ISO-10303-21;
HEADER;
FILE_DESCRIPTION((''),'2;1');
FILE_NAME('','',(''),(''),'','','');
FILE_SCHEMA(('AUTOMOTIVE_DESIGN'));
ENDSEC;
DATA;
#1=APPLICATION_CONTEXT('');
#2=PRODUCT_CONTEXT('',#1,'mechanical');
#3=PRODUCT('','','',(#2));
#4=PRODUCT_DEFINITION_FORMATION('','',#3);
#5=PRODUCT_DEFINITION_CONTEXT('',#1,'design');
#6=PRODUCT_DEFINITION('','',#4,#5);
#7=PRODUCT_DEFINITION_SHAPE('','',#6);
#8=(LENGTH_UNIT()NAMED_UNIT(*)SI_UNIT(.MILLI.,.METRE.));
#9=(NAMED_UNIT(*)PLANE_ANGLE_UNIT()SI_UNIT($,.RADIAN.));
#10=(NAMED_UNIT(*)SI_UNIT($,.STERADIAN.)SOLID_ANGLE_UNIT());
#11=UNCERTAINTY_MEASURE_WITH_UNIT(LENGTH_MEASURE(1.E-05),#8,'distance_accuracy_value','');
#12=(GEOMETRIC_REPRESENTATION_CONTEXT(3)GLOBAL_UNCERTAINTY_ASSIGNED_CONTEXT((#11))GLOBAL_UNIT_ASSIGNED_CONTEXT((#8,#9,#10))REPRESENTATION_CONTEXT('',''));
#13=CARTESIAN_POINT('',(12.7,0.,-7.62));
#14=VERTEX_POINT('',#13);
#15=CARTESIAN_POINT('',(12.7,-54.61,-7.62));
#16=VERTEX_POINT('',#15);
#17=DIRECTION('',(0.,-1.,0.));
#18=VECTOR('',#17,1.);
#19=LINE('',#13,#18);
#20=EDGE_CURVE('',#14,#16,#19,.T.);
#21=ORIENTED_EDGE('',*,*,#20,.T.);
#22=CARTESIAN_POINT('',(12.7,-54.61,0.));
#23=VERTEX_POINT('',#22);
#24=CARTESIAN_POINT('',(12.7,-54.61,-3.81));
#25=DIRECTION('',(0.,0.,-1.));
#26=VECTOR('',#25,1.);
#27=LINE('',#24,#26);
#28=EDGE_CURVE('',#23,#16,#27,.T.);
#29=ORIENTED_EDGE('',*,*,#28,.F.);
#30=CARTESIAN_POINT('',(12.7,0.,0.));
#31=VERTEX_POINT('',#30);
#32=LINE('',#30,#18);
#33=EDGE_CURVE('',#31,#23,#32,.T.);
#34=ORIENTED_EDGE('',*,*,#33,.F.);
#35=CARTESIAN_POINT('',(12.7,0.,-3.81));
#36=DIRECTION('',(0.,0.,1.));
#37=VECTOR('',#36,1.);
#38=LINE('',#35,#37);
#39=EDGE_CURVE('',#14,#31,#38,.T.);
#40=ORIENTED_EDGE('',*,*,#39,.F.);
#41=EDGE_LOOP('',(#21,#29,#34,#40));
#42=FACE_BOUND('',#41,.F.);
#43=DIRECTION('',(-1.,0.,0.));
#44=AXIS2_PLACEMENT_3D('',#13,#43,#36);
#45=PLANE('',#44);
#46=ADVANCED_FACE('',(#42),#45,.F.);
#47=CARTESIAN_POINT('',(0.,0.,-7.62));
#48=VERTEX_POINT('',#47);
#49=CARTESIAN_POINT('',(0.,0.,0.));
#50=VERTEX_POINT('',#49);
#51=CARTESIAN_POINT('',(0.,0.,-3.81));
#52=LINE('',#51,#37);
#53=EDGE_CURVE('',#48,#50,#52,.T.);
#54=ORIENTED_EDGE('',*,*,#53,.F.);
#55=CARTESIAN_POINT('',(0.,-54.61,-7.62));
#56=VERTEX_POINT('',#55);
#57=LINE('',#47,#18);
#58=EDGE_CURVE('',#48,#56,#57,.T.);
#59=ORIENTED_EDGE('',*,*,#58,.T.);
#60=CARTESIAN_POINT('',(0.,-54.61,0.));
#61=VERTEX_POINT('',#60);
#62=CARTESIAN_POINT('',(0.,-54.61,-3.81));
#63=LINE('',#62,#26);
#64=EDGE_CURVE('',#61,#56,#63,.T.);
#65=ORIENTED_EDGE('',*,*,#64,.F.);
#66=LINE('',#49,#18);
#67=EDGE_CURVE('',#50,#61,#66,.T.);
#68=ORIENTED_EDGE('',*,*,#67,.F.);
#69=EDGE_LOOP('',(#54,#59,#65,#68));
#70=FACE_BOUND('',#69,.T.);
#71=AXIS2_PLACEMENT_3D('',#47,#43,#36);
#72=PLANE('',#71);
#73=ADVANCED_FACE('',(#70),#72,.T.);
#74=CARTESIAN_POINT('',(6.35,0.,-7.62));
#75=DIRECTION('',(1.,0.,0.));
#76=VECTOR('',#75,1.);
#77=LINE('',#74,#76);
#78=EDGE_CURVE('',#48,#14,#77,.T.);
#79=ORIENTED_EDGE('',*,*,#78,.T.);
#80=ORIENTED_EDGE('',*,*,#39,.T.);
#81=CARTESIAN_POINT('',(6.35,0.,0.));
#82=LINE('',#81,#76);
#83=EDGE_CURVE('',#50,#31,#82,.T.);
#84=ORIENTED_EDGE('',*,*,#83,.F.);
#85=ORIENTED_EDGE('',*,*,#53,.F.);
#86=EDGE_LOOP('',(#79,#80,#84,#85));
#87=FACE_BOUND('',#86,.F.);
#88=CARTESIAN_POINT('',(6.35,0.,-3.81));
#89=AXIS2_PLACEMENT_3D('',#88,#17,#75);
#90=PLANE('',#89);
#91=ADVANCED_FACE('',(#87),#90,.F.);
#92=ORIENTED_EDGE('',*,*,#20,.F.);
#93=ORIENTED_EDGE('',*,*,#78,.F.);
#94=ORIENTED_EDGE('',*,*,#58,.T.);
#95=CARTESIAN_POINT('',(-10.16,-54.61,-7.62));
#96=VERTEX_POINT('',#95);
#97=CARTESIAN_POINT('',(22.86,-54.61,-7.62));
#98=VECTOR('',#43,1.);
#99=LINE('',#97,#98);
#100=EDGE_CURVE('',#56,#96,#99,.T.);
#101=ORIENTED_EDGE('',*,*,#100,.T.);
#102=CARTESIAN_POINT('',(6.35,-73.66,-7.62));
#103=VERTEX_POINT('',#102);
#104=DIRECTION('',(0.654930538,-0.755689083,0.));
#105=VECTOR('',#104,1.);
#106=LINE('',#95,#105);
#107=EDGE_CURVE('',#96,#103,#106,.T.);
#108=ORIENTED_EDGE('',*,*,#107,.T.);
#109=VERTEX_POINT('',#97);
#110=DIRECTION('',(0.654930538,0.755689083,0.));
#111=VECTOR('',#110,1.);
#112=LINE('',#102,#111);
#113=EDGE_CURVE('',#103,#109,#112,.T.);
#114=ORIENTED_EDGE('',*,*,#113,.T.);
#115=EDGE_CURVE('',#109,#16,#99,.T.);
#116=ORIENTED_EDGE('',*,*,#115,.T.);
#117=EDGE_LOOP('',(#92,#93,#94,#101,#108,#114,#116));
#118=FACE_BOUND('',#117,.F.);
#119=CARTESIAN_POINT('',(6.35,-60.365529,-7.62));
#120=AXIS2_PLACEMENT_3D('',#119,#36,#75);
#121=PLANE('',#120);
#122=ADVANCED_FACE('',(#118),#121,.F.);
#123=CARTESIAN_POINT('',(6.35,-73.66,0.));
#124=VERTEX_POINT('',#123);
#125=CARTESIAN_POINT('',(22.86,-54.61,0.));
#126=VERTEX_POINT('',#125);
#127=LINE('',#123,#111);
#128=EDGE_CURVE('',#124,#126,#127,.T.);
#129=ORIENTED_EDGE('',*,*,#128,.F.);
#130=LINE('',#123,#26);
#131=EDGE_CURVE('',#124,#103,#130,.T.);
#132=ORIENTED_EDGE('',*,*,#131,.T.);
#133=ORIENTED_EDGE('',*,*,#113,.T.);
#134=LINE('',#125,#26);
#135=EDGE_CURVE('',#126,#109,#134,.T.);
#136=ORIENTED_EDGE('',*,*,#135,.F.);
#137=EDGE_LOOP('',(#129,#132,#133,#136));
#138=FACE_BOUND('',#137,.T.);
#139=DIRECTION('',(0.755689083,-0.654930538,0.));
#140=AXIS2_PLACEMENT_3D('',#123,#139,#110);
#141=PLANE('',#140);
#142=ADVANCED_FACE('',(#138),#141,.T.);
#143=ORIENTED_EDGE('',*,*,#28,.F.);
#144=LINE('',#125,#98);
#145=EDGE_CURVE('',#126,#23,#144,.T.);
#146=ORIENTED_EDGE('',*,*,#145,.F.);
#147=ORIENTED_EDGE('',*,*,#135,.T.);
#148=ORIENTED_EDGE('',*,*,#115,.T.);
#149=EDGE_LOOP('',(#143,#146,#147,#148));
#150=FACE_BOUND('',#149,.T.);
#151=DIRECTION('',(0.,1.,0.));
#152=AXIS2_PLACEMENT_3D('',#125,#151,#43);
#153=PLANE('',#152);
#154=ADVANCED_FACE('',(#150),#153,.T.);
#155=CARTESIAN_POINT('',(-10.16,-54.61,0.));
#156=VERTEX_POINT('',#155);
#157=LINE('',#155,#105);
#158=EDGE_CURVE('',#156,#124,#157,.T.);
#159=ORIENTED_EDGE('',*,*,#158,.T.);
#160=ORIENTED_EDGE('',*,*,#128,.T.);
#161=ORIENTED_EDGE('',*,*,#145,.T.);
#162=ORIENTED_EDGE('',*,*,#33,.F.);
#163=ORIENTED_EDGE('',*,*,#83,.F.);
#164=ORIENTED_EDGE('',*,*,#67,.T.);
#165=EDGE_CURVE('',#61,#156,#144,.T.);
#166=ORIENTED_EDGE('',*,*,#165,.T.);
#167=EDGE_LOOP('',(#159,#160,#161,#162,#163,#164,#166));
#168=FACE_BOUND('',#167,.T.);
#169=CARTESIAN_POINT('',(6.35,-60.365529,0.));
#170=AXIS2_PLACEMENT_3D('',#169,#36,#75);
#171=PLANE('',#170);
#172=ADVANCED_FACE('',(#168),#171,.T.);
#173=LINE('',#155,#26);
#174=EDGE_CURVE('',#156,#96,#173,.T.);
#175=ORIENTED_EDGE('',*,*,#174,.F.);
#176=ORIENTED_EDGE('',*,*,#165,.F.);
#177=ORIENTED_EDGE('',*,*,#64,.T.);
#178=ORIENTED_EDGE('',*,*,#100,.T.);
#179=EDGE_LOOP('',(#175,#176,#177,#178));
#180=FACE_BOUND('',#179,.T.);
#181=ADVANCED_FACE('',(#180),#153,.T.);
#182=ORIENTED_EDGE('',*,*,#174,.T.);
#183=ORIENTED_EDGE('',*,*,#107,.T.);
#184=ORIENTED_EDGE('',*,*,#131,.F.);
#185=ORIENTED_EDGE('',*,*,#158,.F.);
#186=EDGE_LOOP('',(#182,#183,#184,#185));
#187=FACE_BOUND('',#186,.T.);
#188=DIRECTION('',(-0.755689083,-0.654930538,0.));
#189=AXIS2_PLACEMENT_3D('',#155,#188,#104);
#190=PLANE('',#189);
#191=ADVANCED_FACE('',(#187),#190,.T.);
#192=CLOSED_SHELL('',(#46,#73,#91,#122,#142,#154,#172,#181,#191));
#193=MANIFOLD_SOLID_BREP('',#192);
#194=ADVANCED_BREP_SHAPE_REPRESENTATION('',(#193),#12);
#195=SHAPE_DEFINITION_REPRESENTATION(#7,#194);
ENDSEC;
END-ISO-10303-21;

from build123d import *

# Parameters (mm, degrees)
F0_W     = 12.7
F0_H     = 7.62
F1_DEPTH = 63.5
F4_DEPTH = 7.62


with BuildPart() as f1:
    # F0 (on Front) → F1 (new body)
    with BuildSketch(Plane.XZ):
        with Locations((6.35, -3.81)):
            Rectangle(F0_W, F0_H)
    extrude(amount=F1_DEPTH)

    # F3 (on face) → F4 (join)
    with BuildSketch(Plane.XY):
        Polygon((22.86, -54.61), (-10.16, -54.61), (6.35, -73.66), align=None)
    extrude(amount=-F4_DEPTH)


solid = f1.part
